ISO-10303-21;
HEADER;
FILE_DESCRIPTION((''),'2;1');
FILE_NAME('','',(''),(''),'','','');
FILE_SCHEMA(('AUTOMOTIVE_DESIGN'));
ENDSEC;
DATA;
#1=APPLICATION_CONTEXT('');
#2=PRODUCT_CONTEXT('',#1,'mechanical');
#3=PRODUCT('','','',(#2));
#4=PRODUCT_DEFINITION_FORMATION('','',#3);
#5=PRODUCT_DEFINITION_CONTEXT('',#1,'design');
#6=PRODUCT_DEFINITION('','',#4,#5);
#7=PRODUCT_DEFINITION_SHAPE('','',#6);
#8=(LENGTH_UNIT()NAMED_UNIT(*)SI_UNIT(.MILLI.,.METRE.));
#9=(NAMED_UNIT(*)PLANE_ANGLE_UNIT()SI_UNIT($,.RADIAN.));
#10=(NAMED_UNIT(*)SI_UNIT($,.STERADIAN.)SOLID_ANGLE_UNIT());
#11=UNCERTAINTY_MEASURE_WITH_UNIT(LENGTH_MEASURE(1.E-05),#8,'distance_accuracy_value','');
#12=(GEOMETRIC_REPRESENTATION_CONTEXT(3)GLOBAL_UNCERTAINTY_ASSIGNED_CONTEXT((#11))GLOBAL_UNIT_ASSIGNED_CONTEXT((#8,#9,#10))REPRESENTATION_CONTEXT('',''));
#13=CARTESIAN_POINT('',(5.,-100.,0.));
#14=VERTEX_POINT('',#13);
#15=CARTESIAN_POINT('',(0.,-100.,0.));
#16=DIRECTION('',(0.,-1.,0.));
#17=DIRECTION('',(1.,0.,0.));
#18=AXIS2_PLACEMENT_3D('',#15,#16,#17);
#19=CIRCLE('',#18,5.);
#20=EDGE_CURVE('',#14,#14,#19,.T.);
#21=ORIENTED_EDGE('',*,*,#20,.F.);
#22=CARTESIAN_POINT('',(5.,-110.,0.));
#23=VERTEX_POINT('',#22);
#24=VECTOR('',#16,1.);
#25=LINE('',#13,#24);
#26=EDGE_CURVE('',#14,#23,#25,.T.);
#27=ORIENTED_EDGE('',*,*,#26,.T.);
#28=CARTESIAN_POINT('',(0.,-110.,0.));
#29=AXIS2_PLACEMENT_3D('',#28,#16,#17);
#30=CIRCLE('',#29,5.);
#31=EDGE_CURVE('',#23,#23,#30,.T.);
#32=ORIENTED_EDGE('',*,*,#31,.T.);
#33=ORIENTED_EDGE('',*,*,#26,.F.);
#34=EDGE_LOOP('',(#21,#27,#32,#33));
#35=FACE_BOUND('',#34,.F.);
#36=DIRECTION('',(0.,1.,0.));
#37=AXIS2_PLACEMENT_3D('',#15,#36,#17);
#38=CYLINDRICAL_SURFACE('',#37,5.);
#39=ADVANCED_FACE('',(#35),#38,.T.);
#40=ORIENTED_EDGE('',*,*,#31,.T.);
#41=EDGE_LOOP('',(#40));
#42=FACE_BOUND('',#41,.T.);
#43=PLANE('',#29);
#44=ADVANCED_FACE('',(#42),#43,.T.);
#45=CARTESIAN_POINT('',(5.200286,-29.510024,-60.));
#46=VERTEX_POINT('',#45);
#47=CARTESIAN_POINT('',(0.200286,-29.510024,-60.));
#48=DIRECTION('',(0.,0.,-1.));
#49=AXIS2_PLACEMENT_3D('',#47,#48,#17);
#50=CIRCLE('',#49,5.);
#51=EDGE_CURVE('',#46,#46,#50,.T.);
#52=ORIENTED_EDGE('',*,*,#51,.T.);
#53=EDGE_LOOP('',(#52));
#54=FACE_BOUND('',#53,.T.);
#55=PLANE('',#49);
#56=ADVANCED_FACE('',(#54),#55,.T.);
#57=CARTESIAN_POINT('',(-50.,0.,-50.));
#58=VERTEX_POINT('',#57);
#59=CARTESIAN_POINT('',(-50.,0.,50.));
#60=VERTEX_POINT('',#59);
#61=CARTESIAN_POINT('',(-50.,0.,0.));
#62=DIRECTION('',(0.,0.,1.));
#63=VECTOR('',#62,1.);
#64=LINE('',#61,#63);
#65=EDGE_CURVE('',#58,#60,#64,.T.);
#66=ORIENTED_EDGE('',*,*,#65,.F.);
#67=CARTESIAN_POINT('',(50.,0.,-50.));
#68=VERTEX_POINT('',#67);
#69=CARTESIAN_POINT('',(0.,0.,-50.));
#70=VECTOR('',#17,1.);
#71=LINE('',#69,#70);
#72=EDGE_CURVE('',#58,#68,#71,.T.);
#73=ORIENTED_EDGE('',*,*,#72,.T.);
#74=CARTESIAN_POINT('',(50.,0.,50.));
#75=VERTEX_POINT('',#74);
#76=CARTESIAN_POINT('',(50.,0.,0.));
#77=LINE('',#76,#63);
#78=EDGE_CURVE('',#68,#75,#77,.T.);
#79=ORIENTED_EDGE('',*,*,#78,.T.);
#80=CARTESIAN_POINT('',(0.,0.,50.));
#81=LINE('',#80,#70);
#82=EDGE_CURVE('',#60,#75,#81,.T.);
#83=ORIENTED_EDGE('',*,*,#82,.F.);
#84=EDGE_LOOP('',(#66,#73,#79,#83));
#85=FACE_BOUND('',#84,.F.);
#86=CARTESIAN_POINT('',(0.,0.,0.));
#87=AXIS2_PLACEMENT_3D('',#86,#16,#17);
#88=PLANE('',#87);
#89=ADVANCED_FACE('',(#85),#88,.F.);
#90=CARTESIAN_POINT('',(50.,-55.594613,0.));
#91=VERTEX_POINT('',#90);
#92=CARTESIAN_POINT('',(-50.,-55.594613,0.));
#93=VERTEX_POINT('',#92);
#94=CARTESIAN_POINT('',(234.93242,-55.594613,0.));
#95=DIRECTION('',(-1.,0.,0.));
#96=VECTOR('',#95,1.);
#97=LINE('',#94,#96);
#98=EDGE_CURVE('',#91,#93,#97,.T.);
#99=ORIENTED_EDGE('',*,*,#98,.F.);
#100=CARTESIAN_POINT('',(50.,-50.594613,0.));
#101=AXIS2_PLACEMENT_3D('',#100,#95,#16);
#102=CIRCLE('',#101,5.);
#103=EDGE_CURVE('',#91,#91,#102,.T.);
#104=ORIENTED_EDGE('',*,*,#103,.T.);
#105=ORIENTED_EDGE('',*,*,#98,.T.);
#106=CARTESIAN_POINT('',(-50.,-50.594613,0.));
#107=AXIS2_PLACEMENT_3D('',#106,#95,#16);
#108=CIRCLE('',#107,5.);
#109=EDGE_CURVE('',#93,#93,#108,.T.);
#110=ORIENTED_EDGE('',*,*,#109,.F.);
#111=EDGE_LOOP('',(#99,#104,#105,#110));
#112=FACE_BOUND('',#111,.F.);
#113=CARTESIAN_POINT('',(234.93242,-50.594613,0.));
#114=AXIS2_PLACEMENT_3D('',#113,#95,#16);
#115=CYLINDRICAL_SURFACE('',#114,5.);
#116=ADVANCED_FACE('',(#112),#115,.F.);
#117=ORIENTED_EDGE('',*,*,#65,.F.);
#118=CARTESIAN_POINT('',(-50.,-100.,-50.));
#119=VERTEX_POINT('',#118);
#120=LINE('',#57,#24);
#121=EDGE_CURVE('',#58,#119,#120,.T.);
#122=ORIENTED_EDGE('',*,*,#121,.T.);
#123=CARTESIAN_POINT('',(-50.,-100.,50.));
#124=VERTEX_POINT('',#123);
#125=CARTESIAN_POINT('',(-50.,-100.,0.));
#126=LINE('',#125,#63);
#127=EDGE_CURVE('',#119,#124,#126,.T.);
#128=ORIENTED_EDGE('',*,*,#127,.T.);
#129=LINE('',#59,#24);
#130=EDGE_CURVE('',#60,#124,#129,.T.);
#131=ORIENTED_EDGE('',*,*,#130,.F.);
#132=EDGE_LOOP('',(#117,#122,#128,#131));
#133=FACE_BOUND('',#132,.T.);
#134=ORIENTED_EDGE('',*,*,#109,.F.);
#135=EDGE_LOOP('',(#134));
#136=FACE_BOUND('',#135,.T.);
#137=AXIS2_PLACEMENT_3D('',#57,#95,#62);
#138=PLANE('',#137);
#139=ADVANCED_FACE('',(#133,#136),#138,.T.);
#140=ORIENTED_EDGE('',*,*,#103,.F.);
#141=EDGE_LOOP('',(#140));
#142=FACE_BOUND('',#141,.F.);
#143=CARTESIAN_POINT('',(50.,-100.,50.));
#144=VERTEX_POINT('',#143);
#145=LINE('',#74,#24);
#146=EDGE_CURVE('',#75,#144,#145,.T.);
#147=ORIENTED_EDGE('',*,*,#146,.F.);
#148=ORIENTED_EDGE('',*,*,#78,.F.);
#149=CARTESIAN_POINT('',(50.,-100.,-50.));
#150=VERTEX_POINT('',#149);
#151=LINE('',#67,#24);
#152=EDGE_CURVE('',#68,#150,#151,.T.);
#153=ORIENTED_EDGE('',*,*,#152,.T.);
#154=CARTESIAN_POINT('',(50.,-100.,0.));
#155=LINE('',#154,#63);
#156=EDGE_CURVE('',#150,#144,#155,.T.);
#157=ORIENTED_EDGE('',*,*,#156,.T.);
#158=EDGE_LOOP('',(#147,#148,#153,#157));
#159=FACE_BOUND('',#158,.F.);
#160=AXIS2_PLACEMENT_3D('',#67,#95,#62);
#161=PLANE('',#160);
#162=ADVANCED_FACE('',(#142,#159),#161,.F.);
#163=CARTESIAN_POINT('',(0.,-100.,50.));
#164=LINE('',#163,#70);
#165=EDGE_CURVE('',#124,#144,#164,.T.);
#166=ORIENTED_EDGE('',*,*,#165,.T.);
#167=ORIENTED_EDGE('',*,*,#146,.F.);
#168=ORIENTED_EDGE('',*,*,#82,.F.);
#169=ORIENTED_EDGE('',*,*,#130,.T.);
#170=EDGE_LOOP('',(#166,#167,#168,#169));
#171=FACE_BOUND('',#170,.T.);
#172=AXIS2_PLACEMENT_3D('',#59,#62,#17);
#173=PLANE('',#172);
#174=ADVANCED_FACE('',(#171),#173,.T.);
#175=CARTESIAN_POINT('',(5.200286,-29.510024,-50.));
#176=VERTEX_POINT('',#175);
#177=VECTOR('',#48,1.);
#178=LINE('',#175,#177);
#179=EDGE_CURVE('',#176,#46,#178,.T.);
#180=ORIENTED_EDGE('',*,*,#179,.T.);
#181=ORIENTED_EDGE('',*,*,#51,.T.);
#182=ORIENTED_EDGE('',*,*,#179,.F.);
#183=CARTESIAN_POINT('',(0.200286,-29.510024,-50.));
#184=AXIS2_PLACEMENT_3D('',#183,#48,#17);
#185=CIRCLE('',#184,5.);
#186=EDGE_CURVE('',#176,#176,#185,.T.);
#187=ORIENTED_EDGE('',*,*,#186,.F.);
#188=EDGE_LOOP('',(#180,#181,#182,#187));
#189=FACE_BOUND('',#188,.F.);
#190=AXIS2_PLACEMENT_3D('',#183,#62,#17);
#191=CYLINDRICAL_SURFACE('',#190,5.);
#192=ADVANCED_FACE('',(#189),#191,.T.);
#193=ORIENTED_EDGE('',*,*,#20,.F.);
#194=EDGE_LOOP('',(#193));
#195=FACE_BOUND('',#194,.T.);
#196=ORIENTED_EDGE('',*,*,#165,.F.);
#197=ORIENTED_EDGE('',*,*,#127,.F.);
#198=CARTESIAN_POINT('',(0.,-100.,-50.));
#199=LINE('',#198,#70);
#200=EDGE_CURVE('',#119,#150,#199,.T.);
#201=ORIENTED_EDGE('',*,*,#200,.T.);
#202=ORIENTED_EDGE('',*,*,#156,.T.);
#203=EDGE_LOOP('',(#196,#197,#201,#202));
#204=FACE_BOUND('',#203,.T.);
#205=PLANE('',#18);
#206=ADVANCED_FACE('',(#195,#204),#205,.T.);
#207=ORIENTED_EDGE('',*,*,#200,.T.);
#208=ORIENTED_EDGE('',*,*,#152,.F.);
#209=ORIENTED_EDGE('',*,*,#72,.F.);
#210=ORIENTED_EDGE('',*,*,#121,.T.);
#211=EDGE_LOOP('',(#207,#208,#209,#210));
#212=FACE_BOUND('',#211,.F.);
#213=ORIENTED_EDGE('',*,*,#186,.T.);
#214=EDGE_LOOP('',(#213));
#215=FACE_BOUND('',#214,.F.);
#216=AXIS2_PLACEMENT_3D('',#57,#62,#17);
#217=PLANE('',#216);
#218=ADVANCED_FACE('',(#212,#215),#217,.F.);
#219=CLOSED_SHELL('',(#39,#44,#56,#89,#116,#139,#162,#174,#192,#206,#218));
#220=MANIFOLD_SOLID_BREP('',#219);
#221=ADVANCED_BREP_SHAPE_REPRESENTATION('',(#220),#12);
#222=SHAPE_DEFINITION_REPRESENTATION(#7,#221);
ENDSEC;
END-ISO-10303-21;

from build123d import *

# Parameters (mm, degrees)
F0_W     = 100
F0_H     = 100
F1_DEPTH = 100
F2_R     = 5
F3_DEPTH = 10
F4_R     = 5
F5_DEPTH = 10
F7_D     = 10


with BuildPart() as f1:
    # F0 (on Front) → F1 (new body)
    with BuildSketch(Plane.XZ):
        Rectangle(F0_W, F0_H)
    extrude(amount=F1_DEPTH)

    # F2 (on face) → F3 (join)
    with BuildSketch(Plane.XZ.offset(100)):
        Circle(F2_R)
    extrude(amount=F3_DEPTH)

    # F4 (on face) → F5 (join)
    with BuildSketch(Plane(origin=(0, 0, -50), x_dir=(1, 0, 0), z_dir=(0, 0, -1))):
        with Locations((0.200286, 29.510024)):
            Circle(F4_R)
    extrude(amount=F5_DEPTH)

    # F7 (through all)
    with Locations(Plane.YZ.offset(50)):
        with Locations((-50.594613, 0)):
            Hole(F7_D / 2)


solid = f1.part
